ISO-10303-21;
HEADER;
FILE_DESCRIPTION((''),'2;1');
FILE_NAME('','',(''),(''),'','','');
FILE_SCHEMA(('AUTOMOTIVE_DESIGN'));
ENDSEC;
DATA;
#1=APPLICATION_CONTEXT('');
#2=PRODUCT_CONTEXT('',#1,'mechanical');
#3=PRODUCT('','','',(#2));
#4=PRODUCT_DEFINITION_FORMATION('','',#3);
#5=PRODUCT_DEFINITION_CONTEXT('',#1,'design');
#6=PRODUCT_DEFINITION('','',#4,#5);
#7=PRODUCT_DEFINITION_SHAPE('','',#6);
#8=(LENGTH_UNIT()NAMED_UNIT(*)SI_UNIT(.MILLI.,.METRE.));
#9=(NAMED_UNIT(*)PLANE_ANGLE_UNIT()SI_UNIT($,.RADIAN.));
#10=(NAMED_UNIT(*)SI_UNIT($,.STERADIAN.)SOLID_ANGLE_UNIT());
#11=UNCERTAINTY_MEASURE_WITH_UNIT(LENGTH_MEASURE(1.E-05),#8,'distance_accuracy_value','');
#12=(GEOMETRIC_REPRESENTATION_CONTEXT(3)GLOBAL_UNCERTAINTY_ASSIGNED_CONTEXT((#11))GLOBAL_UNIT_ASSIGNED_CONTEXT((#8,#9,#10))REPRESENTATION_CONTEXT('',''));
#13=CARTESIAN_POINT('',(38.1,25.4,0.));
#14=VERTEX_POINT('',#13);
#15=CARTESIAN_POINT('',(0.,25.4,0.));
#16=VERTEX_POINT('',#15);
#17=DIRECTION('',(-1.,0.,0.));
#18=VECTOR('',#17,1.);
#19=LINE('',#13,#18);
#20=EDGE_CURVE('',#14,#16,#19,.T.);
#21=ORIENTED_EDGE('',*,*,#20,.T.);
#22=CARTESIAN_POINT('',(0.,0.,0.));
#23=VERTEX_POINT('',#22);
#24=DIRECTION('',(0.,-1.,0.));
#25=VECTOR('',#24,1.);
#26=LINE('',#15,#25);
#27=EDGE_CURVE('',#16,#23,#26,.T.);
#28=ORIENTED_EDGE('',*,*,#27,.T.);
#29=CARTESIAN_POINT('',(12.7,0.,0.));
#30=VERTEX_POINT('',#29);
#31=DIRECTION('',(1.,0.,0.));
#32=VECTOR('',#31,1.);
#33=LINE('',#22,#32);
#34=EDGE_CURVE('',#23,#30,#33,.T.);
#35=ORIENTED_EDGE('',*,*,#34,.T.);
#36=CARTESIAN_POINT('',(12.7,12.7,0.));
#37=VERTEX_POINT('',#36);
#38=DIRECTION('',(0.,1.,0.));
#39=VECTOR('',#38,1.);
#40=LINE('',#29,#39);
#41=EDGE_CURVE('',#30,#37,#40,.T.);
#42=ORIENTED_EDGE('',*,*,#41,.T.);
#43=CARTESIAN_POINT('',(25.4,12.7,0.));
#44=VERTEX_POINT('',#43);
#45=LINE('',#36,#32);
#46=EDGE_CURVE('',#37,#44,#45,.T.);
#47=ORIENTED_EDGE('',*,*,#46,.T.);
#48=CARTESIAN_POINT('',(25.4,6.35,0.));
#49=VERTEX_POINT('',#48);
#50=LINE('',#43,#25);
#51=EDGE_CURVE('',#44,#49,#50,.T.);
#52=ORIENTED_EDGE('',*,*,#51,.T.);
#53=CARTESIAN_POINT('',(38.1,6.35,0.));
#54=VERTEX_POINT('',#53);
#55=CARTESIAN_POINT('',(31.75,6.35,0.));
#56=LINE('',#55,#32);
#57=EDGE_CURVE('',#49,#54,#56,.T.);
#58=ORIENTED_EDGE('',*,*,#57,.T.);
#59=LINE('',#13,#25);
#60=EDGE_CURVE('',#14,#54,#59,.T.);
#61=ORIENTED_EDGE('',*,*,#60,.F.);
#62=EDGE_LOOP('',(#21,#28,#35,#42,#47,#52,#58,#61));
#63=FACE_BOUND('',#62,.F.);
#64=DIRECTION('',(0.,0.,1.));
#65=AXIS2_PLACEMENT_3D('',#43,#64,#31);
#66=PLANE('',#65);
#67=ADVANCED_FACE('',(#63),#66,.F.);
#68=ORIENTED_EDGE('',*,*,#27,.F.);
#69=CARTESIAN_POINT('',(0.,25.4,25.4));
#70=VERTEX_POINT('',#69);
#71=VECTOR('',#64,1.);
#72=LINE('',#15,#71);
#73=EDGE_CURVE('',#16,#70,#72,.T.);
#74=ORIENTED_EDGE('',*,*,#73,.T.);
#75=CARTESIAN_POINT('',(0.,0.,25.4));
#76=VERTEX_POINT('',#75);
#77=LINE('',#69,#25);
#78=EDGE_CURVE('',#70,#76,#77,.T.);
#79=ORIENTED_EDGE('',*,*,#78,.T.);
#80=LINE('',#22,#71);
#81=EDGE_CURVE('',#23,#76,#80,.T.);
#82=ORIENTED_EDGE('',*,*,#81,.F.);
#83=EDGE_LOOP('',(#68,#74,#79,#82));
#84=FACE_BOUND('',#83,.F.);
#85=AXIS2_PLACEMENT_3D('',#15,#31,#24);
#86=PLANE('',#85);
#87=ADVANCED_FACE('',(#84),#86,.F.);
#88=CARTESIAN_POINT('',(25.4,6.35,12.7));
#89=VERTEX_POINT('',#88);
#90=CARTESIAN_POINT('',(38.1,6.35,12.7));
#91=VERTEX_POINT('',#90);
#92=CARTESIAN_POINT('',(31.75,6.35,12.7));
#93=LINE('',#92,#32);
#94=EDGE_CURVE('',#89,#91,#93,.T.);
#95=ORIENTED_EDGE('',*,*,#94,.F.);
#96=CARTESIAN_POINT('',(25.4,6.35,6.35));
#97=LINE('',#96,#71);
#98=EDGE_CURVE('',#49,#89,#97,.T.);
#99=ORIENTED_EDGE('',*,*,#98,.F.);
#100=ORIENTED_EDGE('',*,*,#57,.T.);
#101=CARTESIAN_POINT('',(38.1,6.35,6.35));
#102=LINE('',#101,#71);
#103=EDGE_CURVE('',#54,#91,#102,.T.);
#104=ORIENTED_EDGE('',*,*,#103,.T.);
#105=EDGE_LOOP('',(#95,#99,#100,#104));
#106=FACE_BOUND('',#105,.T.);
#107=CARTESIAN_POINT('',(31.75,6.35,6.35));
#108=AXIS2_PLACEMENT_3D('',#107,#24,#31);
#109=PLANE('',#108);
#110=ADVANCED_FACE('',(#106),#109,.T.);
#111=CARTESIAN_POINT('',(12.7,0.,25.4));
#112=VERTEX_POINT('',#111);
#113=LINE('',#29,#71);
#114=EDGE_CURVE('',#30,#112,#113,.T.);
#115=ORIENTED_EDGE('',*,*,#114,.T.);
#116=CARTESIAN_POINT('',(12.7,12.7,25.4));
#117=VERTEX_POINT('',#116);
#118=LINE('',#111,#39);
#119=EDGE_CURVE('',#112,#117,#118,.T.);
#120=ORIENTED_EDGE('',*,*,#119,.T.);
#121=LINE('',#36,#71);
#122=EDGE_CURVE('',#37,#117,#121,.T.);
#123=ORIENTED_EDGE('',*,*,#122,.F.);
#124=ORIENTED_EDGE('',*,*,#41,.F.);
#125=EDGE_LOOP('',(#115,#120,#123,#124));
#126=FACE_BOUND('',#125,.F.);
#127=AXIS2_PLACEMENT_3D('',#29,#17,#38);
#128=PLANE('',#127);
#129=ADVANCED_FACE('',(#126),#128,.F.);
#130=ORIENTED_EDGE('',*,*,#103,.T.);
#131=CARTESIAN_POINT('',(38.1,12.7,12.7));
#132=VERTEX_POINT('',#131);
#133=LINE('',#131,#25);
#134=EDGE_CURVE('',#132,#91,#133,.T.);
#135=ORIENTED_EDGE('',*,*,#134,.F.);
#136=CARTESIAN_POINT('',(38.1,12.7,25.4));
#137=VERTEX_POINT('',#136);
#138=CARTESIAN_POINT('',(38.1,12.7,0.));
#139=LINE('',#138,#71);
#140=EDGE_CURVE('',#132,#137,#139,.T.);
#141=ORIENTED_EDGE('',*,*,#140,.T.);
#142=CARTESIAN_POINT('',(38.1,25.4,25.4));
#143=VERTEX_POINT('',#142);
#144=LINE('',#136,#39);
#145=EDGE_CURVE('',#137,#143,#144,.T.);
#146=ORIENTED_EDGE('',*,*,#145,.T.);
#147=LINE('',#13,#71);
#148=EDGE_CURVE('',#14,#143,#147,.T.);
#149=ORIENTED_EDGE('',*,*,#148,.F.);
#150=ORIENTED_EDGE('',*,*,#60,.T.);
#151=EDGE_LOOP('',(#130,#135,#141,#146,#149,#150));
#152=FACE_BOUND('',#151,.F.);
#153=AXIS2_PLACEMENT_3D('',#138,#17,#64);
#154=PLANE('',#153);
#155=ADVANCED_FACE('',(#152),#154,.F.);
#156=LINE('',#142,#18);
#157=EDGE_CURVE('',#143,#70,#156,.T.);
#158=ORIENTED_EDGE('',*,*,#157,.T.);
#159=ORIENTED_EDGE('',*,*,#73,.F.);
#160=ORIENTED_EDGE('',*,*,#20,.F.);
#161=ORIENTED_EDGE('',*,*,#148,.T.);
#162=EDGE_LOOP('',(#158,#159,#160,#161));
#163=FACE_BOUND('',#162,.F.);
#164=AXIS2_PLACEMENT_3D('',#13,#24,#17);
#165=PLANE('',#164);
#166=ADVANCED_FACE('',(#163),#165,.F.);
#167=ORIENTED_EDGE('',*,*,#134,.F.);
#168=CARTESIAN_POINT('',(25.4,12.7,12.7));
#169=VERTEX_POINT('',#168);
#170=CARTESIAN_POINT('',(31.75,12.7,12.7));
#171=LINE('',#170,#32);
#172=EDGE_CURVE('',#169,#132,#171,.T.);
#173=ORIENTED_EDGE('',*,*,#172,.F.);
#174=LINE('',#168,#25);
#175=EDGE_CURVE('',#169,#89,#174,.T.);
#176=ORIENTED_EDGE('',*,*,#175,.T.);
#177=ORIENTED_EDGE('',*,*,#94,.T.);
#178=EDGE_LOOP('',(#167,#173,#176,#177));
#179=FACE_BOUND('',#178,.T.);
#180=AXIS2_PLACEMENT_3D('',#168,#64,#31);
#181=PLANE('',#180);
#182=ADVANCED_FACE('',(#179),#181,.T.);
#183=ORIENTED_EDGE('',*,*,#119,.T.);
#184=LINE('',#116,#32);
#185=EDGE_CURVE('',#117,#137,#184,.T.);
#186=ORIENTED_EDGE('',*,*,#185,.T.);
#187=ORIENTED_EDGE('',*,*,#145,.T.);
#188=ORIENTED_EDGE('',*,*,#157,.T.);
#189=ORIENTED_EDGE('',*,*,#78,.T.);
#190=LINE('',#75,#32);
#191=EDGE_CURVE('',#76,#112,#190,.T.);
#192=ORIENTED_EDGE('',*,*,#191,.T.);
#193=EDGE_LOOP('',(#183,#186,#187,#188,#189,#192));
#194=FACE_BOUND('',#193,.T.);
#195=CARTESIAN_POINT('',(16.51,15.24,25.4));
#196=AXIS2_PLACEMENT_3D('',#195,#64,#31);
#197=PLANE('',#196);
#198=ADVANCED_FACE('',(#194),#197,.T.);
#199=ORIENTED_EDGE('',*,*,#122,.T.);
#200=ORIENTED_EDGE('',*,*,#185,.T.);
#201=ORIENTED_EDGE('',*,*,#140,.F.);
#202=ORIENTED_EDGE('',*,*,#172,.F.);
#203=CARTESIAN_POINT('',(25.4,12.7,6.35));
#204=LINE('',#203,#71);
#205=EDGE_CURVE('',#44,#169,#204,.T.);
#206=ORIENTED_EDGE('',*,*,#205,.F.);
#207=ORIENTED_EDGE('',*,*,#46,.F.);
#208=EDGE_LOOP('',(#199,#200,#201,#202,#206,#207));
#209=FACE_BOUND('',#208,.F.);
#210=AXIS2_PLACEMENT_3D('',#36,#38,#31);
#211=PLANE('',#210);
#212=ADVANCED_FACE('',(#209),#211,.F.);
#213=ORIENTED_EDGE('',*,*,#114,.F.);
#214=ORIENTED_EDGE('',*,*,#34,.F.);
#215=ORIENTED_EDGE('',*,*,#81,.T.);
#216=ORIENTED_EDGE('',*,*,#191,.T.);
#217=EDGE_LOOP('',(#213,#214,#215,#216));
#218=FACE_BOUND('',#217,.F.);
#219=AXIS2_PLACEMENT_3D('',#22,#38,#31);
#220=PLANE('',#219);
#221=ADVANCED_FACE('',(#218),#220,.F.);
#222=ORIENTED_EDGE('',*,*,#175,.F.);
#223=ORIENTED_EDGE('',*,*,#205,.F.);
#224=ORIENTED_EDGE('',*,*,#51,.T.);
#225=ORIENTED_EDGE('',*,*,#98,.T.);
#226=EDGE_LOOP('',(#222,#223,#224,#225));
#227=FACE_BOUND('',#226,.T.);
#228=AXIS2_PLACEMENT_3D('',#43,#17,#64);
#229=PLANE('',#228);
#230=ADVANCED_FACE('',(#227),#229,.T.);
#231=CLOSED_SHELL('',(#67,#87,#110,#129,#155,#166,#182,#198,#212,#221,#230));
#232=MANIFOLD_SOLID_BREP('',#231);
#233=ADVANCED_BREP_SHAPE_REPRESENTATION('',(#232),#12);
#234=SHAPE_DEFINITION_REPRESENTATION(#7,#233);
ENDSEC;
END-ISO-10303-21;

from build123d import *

# Parameters (mm, degrees)
F1_DEPTH = 25.4
F2_W     = 12.7
F2_H     = 12.7
F3_DEPTH = 6.35


with BuildPart() as f1:
    # F0 (on Top) → F1 (new body)
    with BuildSketch(Plane.XY):
        Polygon((0, 25.4), (0, 0), (12.7, 0), (12.7, 12.7), (38.1, 12.7), (38.1, 25.4), align=None)
    extrude(amount=F1_DEPTH)

    # F2 (on face) → F3 (join)
    with BuildSketch(Plane.XZ.offset(-12.7)):
        with Locations((31.75, 6.35)):
            Rectangle(F2_W, F2_H)
    extrude(amount=F3_DEPTH)


solid = f1.part
